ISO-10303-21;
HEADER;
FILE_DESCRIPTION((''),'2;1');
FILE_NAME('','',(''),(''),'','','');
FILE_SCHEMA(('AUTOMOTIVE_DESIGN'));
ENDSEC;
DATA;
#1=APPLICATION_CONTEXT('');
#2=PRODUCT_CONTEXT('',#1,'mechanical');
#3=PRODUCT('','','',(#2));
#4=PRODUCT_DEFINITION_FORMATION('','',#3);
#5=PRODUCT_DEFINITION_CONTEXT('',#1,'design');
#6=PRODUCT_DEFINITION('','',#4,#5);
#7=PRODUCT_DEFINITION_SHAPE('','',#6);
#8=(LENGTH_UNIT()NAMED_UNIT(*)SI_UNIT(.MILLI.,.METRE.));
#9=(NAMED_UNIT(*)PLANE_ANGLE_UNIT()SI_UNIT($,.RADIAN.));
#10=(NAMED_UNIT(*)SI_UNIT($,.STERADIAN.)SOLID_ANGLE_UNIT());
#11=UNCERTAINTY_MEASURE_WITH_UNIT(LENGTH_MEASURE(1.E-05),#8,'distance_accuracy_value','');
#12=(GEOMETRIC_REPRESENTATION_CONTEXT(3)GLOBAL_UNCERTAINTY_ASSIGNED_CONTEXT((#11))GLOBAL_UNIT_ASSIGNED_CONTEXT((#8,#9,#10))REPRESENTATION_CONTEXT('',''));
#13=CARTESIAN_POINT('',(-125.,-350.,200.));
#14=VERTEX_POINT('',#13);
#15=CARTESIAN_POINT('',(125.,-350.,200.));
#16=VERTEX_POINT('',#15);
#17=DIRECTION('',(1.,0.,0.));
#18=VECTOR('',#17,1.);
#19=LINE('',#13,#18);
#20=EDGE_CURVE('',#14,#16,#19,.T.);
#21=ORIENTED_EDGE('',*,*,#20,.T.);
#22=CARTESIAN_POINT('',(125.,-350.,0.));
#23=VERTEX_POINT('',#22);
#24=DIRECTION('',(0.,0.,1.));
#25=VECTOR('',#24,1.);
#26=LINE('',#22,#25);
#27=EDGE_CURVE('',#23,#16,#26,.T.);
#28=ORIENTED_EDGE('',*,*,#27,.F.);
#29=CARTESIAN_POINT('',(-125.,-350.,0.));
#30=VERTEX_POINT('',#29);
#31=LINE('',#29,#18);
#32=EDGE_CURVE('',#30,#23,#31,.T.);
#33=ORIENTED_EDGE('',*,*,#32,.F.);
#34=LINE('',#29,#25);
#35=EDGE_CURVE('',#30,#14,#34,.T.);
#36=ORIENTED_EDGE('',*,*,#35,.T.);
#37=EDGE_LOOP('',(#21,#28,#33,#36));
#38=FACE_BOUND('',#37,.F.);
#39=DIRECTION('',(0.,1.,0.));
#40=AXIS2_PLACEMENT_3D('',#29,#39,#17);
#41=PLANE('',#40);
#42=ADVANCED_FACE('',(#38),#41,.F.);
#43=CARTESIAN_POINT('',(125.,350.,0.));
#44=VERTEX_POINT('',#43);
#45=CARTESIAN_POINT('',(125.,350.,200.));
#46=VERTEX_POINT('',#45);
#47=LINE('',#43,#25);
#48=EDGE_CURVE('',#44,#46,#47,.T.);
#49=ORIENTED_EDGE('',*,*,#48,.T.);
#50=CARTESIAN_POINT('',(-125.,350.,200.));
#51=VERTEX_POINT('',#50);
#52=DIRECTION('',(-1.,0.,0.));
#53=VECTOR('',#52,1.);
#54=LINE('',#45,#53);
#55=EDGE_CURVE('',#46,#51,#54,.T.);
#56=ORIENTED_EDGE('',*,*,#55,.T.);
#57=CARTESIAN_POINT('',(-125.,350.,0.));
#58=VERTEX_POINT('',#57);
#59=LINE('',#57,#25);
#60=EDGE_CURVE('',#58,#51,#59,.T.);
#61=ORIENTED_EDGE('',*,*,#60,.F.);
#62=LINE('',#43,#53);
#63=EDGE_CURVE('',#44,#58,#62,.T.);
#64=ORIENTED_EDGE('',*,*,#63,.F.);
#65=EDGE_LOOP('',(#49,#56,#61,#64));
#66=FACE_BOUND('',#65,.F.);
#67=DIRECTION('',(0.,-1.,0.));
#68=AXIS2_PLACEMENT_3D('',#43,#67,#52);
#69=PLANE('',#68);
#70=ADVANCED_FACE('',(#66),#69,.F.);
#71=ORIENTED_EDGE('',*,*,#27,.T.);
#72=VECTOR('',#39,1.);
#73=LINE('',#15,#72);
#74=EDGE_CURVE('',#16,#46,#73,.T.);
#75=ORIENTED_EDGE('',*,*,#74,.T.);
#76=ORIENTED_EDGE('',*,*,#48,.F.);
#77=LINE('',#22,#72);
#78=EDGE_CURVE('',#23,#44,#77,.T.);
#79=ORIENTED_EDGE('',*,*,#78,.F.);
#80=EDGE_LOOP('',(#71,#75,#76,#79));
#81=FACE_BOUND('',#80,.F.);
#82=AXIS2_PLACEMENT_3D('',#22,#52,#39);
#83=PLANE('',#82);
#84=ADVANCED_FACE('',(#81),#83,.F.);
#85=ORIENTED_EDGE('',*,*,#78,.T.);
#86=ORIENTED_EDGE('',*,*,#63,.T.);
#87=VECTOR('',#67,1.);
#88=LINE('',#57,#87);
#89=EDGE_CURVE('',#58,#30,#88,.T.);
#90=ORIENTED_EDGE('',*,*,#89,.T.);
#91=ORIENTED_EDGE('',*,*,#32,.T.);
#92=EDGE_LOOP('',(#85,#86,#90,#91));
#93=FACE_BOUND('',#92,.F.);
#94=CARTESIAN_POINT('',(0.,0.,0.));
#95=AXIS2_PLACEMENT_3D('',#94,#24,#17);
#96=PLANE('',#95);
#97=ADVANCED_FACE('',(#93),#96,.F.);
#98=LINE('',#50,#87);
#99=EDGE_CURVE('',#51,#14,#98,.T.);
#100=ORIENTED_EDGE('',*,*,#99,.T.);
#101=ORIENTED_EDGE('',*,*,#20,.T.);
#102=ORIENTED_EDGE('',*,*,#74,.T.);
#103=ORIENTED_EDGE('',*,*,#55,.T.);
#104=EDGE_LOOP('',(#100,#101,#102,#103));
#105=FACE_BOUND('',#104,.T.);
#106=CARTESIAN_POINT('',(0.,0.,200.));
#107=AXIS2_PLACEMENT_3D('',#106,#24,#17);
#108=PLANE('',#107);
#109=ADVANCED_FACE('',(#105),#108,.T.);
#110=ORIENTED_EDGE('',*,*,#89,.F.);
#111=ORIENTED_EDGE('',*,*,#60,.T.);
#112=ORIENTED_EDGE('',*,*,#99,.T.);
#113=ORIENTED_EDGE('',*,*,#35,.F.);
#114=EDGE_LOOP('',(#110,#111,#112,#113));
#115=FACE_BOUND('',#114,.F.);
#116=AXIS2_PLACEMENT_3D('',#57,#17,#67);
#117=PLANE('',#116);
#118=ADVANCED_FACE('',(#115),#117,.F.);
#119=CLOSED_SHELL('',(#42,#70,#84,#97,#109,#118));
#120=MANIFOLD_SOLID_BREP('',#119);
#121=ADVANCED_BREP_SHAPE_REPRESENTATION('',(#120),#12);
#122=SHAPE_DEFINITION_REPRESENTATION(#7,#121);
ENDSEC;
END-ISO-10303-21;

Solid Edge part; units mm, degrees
sketch "Sketch1" plane through (0, 0, 0) normal (0, 0, 1) x (1, 0, 0)
  line L0 (-125, -350) -> (125, -350)
  line L1 (125, -350) -> (125, 350)
  line L2 (125, 350) -> (-125, 350)
  line L3 (-125, 350) -> (-125, -350)
extrude "Protrusion1" add sketch "Sketch1" along normal blind 200
